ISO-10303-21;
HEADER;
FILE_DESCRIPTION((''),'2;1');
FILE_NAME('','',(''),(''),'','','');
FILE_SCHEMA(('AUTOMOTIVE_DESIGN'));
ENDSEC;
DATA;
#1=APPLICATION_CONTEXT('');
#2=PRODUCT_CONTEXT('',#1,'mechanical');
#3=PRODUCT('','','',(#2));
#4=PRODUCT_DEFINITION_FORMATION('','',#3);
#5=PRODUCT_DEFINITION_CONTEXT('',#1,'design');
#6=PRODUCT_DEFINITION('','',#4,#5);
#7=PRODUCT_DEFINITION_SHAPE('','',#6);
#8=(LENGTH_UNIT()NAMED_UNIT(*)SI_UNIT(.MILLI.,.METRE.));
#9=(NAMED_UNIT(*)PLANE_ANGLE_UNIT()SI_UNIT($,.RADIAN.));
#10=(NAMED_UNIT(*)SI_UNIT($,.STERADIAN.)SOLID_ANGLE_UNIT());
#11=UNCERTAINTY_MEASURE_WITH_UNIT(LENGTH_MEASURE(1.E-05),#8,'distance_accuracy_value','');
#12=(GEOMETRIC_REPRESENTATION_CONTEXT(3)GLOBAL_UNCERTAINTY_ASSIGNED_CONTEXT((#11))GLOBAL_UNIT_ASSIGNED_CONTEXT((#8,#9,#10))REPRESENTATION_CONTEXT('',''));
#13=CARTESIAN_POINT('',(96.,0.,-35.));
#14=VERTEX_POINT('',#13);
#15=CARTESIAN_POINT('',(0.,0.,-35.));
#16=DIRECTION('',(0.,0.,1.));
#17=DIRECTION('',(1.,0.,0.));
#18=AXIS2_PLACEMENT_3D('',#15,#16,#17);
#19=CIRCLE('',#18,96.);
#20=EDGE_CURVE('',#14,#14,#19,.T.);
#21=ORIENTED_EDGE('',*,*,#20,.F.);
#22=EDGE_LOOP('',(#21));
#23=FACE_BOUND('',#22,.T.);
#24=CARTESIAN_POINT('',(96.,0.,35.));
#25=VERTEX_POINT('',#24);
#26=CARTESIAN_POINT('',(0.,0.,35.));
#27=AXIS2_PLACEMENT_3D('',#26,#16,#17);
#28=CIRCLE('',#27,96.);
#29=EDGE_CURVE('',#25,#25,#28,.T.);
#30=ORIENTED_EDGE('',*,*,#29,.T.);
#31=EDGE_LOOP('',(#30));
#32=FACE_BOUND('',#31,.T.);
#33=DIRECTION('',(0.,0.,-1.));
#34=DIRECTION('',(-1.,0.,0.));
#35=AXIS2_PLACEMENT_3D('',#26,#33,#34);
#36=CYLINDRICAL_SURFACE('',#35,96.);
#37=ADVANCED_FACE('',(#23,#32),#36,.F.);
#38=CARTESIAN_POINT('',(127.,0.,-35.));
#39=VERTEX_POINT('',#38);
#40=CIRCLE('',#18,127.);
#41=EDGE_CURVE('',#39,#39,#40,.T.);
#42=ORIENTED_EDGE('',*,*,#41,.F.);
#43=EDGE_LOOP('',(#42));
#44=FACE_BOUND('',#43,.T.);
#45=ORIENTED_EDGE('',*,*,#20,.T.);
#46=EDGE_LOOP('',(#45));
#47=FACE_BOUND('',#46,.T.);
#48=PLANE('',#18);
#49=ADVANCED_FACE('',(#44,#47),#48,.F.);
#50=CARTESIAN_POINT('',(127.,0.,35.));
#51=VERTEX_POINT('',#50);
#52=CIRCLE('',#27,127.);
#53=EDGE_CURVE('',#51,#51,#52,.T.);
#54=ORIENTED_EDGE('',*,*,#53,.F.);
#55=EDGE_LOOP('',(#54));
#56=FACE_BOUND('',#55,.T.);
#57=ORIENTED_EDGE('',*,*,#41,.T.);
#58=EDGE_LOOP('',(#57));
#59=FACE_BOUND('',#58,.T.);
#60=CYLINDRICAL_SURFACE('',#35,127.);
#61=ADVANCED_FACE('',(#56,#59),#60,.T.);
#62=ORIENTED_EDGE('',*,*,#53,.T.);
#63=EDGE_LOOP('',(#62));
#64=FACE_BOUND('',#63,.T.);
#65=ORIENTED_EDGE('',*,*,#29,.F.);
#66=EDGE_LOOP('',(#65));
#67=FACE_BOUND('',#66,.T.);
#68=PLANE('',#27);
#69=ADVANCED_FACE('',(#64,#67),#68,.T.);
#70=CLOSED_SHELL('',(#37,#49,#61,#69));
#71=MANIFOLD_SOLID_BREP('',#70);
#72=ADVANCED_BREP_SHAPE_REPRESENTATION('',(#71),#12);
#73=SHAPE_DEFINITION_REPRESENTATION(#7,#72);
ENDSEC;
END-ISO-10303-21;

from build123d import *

# Parameters (mm, degrees)
TIRE_REFERENCE_START = -35
SKETCH_1_R           = 127
SKETCH_1_R_2         = 96
TIRE_REFERENCE_DEPTH = 70


with BuildPart() as part:
    # Эскиз1 → Tire_reference (new body)
    with BuildSketch(Plane.XY.offset(TIRE_REFERENCE_START)):
        Circle(SKETCH_1_R)
        Circle(SKETCH_1_R_2, mode=Mode.SUBTRACT)
    extrude(amount=TIRE_REFERENCE_DEPTH)


solid = part.part
